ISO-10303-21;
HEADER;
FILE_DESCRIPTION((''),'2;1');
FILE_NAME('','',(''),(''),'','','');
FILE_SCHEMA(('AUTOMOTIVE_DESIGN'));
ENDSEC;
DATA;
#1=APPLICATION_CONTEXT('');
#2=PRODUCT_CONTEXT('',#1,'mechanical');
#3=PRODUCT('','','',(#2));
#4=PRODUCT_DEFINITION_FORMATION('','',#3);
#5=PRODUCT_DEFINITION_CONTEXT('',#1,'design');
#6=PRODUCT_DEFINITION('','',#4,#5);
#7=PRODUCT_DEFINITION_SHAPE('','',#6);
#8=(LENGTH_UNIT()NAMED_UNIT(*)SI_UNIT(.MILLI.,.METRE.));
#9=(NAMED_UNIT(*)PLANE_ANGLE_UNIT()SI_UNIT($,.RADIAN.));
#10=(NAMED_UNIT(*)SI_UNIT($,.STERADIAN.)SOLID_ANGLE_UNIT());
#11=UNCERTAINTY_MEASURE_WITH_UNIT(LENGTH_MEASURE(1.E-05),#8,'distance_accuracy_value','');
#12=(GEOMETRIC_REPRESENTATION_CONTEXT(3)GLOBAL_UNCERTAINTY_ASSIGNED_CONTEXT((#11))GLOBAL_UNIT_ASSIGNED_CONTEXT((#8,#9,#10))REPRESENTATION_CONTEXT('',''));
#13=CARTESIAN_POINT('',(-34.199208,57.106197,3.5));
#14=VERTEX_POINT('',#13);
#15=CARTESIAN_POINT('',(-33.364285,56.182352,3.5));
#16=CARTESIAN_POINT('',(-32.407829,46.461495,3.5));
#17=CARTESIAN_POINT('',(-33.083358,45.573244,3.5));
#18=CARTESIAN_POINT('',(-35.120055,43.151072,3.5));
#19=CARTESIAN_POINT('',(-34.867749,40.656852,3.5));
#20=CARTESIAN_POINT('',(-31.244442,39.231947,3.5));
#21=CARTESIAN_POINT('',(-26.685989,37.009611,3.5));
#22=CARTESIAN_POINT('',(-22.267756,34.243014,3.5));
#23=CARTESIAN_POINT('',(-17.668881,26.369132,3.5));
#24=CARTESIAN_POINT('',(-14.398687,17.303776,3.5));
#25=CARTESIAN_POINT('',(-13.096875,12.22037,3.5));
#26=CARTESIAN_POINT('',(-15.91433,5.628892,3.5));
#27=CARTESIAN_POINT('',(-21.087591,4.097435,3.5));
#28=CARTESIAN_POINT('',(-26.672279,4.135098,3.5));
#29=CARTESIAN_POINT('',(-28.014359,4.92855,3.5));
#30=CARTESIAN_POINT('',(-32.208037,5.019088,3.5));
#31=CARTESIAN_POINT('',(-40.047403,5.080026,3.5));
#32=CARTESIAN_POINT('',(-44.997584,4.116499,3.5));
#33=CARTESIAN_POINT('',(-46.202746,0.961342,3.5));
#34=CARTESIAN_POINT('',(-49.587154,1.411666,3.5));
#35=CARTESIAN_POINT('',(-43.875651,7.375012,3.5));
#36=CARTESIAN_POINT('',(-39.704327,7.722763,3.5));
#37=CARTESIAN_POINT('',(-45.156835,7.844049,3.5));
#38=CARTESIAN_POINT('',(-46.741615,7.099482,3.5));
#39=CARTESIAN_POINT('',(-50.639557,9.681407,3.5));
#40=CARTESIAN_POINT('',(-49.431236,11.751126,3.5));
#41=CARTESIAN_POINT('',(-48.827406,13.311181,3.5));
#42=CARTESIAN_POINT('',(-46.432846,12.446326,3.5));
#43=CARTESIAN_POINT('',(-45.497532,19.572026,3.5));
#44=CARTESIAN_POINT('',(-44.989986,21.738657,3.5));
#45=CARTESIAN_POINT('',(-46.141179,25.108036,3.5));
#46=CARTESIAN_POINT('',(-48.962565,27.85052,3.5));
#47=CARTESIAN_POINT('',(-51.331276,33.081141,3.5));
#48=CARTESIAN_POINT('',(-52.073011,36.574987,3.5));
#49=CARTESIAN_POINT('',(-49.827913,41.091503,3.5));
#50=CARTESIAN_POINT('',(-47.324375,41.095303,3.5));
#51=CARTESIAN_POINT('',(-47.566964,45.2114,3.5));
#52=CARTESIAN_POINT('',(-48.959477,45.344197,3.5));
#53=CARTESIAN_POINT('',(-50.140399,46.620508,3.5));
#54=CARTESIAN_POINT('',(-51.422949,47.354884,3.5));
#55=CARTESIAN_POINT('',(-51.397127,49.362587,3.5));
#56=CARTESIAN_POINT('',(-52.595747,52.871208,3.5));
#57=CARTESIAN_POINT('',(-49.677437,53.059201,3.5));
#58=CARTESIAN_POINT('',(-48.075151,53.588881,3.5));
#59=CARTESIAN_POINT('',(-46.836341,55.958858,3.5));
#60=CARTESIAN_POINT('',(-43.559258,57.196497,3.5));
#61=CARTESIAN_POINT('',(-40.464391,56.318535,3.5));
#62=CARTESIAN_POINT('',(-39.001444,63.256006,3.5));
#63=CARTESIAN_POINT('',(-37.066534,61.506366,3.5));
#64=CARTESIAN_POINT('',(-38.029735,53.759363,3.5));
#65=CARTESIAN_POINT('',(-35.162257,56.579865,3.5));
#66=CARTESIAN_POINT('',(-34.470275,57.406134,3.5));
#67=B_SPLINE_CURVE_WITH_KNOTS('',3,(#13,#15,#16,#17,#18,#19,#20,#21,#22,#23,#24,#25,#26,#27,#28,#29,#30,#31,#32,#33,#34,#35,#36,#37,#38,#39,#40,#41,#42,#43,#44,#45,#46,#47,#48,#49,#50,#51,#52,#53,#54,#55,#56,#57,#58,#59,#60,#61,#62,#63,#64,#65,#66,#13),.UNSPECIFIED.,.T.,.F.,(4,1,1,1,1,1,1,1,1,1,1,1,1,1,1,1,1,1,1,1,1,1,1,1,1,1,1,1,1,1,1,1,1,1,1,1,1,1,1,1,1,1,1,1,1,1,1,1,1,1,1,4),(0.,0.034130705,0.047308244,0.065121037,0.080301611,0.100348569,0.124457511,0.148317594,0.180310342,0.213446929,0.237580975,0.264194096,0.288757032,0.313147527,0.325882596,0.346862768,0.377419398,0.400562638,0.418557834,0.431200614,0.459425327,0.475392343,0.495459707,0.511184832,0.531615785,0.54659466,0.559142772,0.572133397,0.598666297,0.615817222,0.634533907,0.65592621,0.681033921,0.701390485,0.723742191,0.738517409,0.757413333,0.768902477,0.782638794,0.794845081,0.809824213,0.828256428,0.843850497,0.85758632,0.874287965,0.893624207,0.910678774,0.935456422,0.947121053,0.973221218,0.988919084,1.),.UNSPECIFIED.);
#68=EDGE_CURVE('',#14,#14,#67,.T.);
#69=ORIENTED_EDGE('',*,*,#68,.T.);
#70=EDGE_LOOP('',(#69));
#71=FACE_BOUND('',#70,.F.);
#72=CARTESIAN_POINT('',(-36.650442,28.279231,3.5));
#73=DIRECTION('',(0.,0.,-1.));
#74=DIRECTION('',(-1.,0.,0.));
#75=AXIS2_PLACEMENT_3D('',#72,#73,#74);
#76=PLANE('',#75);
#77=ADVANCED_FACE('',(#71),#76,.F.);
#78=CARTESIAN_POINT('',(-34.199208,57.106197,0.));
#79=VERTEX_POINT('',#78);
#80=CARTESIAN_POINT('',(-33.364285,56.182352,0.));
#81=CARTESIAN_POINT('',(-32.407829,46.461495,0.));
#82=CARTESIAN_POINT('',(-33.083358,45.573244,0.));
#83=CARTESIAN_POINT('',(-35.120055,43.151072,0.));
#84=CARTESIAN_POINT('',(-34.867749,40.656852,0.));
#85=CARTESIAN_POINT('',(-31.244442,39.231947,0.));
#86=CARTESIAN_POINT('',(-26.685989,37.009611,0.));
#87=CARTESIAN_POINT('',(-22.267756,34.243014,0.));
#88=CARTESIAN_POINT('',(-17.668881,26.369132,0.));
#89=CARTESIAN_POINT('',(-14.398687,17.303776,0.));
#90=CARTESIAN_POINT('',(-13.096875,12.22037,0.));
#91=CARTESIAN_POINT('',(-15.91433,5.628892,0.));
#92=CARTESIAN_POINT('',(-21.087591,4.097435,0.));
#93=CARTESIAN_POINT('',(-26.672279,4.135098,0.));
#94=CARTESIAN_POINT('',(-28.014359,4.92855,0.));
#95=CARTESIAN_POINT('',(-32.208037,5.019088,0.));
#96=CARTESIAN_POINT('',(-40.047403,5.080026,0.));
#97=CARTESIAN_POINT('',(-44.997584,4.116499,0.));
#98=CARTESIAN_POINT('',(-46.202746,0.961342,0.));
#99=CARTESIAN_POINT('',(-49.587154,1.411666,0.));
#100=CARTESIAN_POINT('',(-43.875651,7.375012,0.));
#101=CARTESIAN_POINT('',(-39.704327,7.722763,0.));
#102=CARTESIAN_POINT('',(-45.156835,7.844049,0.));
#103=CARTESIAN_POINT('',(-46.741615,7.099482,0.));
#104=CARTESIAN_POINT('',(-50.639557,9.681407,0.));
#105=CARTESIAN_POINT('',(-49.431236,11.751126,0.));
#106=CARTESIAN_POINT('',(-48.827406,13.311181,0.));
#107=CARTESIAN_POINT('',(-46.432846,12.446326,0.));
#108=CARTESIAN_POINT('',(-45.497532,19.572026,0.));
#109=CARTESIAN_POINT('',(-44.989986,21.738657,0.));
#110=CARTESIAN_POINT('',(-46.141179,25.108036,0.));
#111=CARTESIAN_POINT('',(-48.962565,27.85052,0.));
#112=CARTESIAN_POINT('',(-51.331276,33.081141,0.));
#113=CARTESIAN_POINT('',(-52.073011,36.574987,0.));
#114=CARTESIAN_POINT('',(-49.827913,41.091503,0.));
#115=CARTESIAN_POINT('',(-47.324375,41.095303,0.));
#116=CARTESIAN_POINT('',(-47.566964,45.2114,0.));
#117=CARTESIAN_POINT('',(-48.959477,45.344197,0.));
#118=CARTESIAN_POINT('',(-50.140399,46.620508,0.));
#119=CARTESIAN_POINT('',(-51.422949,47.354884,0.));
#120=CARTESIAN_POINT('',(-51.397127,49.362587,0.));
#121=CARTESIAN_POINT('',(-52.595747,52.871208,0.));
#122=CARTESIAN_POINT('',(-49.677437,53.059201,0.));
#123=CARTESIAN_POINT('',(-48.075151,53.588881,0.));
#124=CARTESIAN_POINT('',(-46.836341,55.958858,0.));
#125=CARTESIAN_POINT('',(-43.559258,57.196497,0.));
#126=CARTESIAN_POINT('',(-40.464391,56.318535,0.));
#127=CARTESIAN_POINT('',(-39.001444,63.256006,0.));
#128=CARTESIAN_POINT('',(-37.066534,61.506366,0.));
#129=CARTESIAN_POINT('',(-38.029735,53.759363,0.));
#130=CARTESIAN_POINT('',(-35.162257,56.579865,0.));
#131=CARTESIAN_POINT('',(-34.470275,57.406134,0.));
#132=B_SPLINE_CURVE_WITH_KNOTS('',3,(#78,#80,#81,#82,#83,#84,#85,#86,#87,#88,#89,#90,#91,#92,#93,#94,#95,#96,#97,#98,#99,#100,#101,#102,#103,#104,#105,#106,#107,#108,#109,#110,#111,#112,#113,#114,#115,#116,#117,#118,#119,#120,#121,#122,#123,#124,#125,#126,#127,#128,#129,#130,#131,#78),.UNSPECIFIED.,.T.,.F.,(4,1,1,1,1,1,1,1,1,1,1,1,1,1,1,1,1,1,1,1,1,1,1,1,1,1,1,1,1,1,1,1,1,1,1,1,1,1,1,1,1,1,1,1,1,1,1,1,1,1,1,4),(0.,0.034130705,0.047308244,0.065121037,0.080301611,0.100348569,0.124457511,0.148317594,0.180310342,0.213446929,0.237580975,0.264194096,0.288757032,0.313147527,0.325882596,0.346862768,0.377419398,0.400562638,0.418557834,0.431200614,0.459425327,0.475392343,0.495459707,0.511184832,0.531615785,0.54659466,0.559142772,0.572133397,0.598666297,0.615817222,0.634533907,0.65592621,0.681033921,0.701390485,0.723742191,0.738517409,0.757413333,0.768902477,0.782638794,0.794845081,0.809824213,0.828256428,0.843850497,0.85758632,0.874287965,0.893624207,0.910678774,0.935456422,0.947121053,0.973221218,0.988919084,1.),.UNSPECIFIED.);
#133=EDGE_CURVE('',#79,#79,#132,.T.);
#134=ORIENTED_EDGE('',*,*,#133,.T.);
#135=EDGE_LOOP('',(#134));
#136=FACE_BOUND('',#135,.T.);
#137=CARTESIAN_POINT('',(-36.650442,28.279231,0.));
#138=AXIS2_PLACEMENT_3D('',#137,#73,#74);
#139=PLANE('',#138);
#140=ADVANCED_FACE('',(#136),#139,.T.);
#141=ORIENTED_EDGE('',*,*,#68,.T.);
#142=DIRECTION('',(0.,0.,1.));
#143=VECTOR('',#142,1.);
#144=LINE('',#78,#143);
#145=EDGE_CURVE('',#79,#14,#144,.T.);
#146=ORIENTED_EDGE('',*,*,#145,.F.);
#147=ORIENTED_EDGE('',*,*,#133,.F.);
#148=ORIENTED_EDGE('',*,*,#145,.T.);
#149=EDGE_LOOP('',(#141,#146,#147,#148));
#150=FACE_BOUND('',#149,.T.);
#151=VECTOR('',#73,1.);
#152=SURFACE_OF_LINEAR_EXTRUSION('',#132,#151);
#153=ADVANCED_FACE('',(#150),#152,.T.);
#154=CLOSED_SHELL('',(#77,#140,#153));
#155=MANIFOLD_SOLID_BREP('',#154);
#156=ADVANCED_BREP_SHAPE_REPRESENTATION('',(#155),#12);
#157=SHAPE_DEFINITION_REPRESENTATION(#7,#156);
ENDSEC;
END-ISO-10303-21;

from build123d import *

# Parameters (mm, degrees)
F1_DEPTH = 3.5


with BuildPart() as f1:
    # F0 (on Top) → F1 (new body)
    with BuildSketch(Plane.XY):
        with BuildLine():
            add(Edge.make_bspline(
                [(-34.1992080212, 57.1061968803), (-33.3642851639, 56.1823516583), (-32.4078288864, 46.4614953202), (-33.0833580012, 45.5732444431), (-35.1200553902, 43.1510717383), (-34.8677487589, 40.6568521235), (-31.2444421826, 39.2319469853), (-26.6859888958, 37.0096112258), (-22.2677557358, 34.2430144506), (-17.6688813883, 26.3691319905), (-14.39868697, 17.3037761676), (-13.0968751825, 12.2203699474), (-15.9143302126, 5.628892429), (-21.0875912385, 4.0974354464), (-26.6722790533, 4.1350983307), (-28.0143589694, 4.9285498911), (-32.2080372737, 5.0190880792), (-40.047402618, 5.080025663), (-44.9975841049, 4.1164986599), (-46.2027464118, 0.9613419086), (-49.5871543138, 1.4116658442), (-43.875650646, 7.3750124796), (-39.7043266917, 7.7227627719), (-45.1568347469, 7.8440485631), (-46.7416147618, 7.0994818262), (-50.6395569599, 9.6814069498), (-49.4312363899, 11.7511258937), (-48.8274058448, 13.311181165), (-46.4328461197, 12.4463259263), (-45.4975316614, 19.5720255266), (-44.989986388, 21.7386570008), (-46.1411789449, 25.1080355339), (-48.962565441, 27.8505196616), (-51.3312763102, 33.0811414468), (-52.0730111047, 36.5749871731), (-49.8279134961, 41.0915031309), (-47.3243745272, 41.0953033315), (-47.5669636611, 45.2114002995), (-48.959476677, 45.3441966215), (-50.1403993142, 46.6205075639), (-51.4229491923, 47.3548841368), (-51.3971269457, 49.362586871), (-52.5957466521, 52.8712081606), (-49.6774374778, 53.0592011642), (-48.0751513435, 53.5888813829), (-46.8363409598, 55.958858163), (-43.5592579662, 57.1964972166), (-40.4643905556, 56.3185350568), (-39.0014439342, 63.2560063617), (-37.0665335077, 61.5063660932), (-38.0297347156, 53.7593632015), (-35.162257374, 56.5798648447), (-34.4702750854, 57.4061335871), (-34.1992080212, 57.1061968803)],
                knots=[0, 0, 0, 0, 0.0341307051, 0.0473082445, 0.0651210371, 0.0803016114, 0.1003485694, 0.1244575108, 0.1483175937, 0.1803103416, 0.2134469286, 0.2375809748, 0.2641940963, 0.2887570324, 0.3131475267, 0.3258825956, 0.3468627676, 0.3774193976, 0.4005626382, 0.4185578337, 0.4312006137, 0.4594253267, 0.4753923429, 0.4954597066, 0.5111848322, 0.5316157845, 0.5465946598, 0.5591427724, 0.5721333969, 0.5986662973, 0.6158172217, 0.6345339072, 0.6559262102, 0.6810339212, 0.7013904853, 0.7237421914, 0.7385174095, 0.7574133329, 0.7689024775, 0.7826387942, 0.7948450806, 0.8098242133, 0.8282564278, 0.8438504968, 0.8575863203, 0.8742879651, 0.8936242073, 0.9106787743, 0.9354564216, 0.9471210525, 0.9732212178, 0.988919084, 1, 1, 1, 1], degree=3))
        make_face()
    extrude(amount=F1_DEPTH)


solid = f1.part
